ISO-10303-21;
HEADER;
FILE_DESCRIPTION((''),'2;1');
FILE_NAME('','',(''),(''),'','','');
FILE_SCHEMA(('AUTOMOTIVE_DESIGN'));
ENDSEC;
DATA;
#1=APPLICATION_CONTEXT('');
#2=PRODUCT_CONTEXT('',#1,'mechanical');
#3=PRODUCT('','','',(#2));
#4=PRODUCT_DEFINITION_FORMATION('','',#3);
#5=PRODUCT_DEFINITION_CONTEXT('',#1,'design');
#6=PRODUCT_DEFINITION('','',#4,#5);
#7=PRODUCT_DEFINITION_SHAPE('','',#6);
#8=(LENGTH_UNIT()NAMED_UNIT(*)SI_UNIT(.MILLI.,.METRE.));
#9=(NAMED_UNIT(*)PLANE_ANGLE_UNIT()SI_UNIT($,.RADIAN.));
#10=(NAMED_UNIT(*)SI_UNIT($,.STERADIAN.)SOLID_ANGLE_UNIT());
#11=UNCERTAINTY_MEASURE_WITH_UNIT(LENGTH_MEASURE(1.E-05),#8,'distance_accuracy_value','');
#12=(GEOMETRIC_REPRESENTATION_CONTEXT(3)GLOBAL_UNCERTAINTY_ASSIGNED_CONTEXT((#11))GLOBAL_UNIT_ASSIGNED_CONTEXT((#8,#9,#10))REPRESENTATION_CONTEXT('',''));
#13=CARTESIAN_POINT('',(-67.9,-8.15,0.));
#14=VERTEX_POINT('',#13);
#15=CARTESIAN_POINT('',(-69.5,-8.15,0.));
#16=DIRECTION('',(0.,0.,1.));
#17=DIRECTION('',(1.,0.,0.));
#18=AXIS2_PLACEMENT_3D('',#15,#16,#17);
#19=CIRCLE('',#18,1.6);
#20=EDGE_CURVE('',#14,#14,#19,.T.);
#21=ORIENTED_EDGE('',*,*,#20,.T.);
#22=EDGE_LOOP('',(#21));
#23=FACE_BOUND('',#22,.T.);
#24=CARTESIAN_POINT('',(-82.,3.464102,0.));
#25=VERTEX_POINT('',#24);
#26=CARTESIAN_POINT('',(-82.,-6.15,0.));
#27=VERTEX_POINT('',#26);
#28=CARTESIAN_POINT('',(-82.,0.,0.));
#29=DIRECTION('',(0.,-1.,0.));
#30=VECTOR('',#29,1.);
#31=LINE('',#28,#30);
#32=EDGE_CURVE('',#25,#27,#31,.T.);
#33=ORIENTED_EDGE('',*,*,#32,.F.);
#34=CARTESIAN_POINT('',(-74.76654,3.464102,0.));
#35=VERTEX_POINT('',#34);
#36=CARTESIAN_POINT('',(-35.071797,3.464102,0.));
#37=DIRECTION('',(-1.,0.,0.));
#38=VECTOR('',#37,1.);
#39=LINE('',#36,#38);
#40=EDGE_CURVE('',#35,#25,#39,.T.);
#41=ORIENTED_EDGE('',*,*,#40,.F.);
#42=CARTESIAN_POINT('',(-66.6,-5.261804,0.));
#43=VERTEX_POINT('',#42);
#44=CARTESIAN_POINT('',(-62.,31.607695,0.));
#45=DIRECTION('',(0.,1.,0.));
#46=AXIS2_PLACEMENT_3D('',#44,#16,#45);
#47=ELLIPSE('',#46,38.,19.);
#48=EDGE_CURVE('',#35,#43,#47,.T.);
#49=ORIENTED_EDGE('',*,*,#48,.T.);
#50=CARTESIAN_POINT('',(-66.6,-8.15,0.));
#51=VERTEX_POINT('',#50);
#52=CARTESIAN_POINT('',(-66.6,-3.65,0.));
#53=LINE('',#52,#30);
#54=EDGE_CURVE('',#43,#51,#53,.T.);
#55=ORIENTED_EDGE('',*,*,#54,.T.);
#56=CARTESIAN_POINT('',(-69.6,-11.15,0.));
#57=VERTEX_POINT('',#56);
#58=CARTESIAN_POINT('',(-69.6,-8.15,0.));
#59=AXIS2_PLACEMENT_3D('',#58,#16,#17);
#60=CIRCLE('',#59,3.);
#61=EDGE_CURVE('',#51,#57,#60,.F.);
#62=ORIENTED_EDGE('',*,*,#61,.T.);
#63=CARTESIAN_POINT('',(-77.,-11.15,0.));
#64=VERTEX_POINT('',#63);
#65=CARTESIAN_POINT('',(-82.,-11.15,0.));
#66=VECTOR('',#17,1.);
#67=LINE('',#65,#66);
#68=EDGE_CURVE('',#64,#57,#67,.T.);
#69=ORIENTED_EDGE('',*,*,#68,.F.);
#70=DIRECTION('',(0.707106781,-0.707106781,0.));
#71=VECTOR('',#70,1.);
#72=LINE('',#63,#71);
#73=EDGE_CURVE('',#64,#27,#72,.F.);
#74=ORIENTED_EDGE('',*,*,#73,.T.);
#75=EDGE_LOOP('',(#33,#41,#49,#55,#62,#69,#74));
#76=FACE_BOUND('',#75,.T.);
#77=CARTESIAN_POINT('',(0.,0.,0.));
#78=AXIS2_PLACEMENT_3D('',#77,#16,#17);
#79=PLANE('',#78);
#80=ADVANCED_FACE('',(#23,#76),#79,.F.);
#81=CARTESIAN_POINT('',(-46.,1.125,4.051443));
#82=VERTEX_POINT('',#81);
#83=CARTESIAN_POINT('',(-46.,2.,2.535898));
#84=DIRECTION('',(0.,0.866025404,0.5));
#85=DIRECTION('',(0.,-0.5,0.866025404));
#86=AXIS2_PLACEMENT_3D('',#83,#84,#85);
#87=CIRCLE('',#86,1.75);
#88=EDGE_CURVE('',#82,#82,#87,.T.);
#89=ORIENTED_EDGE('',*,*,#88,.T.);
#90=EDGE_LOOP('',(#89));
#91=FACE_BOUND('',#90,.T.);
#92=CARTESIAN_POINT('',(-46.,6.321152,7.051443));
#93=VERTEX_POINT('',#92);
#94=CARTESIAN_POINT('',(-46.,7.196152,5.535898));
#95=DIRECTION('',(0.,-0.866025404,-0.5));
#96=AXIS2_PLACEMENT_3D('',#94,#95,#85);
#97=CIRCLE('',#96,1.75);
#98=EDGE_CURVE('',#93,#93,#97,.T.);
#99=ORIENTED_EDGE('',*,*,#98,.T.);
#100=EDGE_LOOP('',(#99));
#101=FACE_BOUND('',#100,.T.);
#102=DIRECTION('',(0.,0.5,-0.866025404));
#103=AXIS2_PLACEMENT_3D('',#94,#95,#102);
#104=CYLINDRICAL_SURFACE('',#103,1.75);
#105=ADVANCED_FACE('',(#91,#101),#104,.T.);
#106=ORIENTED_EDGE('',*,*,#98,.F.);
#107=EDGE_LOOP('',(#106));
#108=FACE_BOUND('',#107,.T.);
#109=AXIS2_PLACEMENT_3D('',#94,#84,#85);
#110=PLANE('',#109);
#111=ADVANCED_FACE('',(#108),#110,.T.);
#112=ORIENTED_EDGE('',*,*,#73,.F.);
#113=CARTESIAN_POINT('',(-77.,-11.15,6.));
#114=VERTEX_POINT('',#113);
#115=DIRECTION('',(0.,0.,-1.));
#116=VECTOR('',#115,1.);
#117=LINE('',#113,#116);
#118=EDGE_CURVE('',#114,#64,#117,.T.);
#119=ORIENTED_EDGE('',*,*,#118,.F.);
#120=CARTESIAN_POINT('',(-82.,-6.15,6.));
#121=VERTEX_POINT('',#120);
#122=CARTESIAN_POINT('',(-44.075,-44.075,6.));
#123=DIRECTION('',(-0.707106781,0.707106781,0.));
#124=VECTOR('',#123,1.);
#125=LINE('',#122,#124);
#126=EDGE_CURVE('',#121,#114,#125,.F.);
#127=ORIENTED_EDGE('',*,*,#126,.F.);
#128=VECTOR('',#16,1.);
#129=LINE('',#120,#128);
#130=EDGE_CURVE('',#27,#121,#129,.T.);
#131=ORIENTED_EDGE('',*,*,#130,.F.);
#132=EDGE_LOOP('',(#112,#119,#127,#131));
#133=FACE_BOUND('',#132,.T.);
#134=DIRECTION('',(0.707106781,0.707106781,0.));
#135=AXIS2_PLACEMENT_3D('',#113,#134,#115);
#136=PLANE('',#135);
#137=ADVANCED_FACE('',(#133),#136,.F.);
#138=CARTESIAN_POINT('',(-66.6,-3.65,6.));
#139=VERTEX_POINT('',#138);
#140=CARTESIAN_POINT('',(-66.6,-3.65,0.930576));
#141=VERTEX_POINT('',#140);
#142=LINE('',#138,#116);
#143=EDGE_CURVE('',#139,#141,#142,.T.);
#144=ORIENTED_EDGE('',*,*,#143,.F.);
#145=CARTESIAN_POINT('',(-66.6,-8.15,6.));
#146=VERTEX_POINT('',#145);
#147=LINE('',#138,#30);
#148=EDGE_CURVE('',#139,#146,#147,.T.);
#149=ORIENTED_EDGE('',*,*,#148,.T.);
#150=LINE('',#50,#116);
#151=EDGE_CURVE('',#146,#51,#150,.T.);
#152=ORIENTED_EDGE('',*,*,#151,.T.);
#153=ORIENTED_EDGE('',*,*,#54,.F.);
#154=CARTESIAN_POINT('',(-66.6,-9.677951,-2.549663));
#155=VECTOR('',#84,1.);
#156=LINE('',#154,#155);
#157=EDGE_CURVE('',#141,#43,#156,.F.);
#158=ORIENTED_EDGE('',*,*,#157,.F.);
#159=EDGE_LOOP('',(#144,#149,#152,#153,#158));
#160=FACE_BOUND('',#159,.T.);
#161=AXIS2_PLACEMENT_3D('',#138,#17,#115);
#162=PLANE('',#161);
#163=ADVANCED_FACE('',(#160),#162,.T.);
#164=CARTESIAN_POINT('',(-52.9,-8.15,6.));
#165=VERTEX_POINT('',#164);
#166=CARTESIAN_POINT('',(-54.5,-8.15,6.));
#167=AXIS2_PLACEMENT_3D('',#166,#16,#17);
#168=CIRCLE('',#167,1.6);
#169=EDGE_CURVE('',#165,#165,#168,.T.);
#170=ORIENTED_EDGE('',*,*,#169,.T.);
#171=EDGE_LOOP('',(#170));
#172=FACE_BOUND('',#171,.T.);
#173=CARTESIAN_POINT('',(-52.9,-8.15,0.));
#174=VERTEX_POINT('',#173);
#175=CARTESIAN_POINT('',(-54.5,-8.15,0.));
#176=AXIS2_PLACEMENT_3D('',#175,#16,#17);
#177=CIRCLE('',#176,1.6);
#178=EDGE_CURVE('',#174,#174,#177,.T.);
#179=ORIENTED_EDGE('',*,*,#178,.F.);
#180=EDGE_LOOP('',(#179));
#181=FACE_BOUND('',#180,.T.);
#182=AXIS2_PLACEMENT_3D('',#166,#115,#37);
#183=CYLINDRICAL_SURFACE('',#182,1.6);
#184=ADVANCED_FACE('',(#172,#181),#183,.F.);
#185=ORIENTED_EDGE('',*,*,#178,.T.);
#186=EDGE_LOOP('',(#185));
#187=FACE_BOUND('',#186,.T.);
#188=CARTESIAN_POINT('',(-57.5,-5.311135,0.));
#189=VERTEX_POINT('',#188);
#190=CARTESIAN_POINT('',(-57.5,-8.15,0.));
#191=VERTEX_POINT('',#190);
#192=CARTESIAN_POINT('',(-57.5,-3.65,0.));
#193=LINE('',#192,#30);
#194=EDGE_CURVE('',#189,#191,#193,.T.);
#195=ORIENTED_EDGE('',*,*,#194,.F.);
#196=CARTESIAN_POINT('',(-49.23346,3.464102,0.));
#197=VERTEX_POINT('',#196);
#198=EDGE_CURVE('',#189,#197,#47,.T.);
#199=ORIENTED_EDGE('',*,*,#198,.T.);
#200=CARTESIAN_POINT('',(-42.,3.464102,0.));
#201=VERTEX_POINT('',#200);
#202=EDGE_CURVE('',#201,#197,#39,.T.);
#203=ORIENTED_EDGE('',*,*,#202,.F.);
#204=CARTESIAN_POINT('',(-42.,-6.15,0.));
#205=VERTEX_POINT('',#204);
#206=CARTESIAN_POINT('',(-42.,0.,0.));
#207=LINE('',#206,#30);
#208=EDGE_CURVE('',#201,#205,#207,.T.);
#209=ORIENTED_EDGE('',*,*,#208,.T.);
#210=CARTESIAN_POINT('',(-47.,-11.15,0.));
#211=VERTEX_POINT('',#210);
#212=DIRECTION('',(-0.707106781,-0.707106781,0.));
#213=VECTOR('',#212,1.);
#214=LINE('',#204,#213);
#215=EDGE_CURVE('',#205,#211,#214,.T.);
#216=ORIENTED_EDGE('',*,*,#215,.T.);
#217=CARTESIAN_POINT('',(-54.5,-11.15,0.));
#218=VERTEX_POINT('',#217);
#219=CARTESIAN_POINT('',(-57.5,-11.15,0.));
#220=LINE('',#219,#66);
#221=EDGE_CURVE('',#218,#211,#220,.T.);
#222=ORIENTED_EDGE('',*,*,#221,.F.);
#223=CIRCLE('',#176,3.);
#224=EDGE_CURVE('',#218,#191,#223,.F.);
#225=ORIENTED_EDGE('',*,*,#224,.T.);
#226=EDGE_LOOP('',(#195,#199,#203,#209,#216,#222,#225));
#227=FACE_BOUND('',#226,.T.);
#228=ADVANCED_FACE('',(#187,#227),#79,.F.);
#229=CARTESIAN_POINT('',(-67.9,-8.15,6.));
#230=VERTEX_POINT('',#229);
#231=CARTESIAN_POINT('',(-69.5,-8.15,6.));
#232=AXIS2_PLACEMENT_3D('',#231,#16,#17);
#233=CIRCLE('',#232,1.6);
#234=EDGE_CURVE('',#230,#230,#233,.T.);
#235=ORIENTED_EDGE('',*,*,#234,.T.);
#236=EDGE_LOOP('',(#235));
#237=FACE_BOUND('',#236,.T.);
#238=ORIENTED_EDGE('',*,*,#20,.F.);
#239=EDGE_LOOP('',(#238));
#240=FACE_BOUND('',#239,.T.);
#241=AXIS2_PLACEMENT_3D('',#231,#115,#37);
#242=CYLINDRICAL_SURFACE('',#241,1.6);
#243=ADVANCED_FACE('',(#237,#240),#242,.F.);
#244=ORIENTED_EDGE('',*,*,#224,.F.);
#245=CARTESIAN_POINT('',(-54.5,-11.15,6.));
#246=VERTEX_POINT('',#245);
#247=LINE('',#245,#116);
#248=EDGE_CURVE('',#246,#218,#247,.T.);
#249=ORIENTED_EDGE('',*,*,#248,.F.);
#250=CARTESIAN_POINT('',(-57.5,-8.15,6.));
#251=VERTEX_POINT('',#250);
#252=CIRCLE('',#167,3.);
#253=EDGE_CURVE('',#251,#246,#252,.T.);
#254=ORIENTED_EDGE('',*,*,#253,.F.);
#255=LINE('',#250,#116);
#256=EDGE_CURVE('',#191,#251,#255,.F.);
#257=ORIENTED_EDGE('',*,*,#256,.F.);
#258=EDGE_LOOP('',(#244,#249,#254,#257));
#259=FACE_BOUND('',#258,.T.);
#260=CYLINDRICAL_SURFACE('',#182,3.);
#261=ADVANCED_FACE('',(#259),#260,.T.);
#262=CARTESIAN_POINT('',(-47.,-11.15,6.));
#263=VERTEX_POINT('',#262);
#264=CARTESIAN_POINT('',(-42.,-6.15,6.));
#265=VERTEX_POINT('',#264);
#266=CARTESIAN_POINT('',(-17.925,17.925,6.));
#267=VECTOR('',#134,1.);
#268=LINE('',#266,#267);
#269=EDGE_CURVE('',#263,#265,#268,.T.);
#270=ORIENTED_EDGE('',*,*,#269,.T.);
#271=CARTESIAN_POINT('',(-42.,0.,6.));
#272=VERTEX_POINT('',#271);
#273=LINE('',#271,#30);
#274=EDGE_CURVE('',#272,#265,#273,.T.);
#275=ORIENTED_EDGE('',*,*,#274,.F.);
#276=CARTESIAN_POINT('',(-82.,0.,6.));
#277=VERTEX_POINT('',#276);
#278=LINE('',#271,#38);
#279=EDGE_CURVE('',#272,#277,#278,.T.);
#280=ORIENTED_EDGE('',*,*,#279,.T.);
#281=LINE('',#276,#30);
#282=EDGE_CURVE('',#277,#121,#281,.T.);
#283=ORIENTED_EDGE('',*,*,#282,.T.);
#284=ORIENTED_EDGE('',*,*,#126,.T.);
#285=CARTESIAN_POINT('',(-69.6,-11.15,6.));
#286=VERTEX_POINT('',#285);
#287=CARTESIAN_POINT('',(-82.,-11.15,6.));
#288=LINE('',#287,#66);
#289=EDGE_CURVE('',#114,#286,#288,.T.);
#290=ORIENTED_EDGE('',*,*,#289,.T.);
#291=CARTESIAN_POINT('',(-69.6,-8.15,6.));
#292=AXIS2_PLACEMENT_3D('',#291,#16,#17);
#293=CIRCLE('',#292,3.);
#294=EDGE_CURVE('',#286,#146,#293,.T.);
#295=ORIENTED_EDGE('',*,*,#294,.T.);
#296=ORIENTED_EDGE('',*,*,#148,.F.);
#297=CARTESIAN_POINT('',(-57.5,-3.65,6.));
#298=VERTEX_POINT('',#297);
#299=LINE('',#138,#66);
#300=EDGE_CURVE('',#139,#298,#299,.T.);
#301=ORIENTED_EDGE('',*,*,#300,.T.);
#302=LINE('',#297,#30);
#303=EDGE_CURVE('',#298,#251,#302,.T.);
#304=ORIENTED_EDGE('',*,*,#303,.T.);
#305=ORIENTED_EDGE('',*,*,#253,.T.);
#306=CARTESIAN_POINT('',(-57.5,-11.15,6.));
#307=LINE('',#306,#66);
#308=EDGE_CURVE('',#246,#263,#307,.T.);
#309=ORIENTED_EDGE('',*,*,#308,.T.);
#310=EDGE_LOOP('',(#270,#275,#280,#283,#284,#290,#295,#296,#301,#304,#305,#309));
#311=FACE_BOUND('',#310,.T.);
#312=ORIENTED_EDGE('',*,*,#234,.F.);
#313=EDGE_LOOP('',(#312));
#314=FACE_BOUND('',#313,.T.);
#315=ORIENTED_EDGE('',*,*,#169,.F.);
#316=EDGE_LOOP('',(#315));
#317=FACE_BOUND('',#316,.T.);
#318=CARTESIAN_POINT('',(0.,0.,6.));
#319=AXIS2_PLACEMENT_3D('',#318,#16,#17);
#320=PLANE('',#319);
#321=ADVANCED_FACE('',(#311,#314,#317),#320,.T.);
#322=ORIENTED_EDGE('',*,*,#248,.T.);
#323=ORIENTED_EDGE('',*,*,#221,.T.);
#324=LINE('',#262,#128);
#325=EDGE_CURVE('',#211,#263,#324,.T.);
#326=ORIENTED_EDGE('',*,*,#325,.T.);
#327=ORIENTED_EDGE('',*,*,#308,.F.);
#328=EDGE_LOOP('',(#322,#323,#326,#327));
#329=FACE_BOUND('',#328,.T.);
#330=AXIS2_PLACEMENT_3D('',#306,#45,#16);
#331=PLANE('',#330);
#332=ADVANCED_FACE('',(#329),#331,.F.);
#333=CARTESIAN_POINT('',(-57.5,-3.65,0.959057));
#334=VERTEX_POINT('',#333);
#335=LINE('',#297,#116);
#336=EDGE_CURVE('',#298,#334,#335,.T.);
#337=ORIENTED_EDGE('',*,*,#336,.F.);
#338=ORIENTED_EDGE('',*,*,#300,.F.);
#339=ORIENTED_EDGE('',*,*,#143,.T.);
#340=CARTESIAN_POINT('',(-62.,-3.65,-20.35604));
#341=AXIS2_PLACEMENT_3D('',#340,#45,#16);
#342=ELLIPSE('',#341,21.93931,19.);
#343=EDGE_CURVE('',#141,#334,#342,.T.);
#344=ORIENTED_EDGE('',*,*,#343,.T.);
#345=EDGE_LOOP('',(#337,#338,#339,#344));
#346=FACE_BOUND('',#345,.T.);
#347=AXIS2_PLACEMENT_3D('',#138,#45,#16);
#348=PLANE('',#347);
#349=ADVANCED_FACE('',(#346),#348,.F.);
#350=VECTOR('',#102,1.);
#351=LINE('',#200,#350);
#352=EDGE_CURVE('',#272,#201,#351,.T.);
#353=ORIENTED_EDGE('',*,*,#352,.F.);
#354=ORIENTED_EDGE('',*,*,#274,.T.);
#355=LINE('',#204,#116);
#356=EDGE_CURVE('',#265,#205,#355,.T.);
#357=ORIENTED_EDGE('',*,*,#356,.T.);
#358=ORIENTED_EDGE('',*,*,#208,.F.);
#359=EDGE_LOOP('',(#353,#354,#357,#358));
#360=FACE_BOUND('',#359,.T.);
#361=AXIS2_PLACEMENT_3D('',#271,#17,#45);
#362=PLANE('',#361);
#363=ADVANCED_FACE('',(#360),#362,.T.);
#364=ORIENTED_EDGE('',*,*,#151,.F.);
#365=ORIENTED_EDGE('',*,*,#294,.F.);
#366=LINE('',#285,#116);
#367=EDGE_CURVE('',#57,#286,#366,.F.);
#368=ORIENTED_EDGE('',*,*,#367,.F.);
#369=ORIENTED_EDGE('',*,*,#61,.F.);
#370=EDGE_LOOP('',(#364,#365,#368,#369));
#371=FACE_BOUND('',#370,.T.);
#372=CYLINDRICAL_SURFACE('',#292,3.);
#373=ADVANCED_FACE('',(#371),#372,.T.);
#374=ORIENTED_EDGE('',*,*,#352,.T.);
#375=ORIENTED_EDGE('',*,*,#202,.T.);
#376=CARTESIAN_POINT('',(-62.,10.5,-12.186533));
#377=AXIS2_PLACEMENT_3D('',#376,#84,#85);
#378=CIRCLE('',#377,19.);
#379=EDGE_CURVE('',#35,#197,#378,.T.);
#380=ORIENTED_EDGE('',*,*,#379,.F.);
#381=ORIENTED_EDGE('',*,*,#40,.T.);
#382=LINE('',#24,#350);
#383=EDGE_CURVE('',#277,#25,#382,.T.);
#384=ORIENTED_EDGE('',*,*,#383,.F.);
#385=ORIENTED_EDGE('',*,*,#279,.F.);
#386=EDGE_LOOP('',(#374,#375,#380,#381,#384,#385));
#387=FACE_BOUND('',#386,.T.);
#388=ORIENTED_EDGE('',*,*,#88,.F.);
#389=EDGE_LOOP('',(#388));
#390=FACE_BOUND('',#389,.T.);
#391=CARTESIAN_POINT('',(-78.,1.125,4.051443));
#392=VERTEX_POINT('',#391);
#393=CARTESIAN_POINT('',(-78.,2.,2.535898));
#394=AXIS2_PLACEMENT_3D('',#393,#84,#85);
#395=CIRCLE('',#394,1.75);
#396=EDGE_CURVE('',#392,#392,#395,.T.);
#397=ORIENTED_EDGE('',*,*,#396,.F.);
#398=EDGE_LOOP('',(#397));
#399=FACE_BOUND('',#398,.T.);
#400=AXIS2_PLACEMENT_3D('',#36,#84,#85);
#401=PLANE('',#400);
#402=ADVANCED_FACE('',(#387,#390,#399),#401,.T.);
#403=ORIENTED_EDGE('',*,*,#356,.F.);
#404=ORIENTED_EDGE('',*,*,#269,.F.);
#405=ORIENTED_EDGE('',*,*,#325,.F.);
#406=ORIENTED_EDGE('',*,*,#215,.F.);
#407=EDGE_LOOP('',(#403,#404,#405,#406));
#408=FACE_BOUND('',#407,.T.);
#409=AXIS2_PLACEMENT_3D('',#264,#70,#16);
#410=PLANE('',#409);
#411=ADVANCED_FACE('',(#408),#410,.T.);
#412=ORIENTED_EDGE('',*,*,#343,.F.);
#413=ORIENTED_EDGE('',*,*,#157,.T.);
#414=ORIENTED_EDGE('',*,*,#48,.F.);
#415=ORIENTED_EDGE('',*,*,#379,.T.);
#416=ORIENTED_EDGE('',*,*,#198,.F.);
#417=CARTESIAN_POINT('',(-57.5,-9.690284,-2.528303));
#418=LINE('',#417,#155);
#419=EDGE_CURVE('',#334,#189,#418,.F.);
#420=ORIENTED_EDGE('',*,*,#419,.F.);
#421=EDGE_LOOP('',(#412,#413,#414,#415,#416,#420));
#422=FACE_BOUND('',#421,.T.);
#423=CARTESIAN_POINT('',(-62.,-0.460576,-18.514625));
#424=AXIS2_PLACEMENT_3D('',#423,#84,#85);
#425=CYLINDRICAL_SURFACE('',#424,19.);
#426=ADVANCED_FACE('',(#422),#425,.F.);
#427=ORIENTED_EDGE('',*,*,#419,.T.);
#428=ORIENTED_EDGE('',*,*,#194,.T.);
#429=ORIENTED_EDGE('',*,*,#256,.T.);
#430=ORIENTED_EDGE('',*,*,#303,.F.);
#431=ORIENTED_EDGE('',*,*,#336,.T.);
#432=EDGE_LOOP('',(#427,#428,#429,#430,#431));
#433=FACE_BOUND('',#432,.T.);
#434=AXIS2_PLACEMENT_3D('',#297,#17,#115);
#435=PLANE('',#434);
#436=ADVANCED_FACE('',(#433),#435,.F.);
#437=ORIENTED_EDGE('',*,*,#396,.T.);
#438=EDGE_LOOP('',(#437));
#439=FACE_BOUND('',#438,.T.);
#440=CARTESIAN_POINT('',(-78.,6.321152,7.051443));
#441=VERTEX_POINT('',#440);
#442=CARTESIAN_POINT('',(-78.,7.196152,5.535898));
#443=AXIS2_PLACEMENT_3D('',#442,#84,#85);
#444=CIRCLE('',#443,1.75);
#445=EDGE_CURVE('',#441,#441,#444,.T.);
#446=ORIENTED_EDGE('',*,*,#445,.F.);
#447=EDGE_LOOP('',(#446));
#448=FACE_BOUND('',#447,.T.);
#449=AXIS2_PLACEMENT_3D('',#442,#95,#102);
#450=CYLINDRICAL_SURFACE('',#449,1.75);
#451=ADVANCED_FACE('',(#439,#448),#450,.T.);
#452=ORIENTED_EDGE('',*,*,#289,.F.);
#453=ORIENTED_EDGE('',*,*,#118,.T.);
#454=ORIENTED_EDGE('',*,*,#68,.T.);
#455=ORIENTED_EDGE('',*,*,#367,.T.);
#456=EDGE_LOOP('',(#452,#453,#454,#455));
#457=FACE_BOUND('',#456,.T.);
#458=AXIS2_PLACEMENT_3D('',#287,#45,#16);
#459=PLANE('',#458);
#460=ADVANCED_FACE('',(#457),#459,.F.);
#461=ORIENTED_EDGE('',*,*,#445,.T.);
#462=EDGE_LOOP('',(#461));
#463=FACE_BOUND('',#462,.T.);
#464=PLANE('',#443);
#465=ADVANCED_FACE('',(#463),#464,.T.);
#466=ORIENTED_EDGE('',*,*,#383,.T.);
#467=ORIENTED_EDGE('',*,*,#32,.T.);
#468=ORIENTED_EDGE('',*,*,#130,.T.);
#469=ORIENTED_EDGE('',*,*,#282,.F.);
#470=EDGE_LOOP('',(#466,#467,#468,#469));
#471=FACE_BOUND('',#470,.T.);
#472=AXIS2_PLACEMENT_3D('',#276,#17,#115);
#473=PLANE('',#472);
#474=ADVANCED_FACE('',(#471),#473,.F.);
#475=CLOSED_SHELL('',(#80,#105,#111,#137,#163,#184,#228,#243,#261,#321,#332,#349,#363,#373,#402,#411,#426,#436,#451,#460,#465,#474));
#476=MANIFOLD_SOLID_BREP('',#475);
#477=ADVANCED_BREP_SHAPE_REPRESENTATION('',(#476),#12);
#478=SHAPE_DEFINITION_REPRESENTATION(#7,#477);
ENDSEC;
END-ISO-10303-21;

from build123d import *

# Parameters (mm, degrees)
SKETCH3_R           = 1.6
BOSS_EXTRUDE1_DEPTH = 6
BOSS_EXTRUDE3_DEPTH = 40
SKETCH7_R           = 1.75
BOSS_EXTRUDE5_DEPTH = 6
CHAMFER1_SIZE       = 5
FILLET1_R           = 3
SKETCH9_R           = 19
CUT_EXTRUDE1_DEPTH  = 13.656183252


with BuildPart() as part:
    # Sketch3 → Boss-Extrude1 (new body)
    with BuildSketch(Plane.XY):
        Polygon((-42, 0), (-42, -11.15), (-57.5, -11.15), (-57.5, -3.65), (-66.6, -3.65), (-66.6, -11.15), (-82, -11.15), (-82, 0), align=None)
        with Locations((-69.5, -8.15)):
            Circle(SKETCH3_R, mode=Mode.SUBTRACT)
        with Locations((-54.5, -8.15)):
            Circle(SKETCH3_R, mode=Mode.SUBTRACT)
    extrude(amount=BOSS_EXTRUDE1_DEPTH)

    # Sketch5 → Boss-Extrude3 (add)
    with BuildSketch(Plane.ZY.offset(82)):
        Polygon((0, 0), (0, 3.464101615), (6, 0), align=None)
    extrude(amount=-BOSS_EXTRUDE3_DEPTH)

    # Sketch7 → Boss-Extrude5 (add)
    with BuildSketch(Plane(origin=(0, 4.189066469, -1.255675961), x_dir=(-1, 0, 0), z_dir=(0, 0.866025404, 0.5))):
        with Locations((78, 4.378132938)):
            Circle(SKETCH7_R)
    boss_extrude5 = extrude(amount=BOSS_EXTRUDE5_DEPTH)

    # Mirror2: Boss-Extrude5 across plane
    add(boss_extrude5.mirror(Plane(origin=(-62, 0, 0), x_dir=(0, 0, 1), z_dir=(1, 0, 0))))

    # Chamfer1
    chamfer1_edges = [part.edges().sort_by_distance(p)[0] for p in [
        (-42, -11.15, 3),
        (-82, -11.15, 3),
    ]]
    chamfer(chamfer1_edges, length=CHAMFER1_SIZE)

    # Fillet1
    fillet1_edges = [part.edges().sort_by_distance(p)[0] for p in [
        (-57.5, -11.15, 3),
        (-66.6, -11.15, 3),
    ]]
    fillet(fillet1_edges, radius=FILLET1_R)

    # Sketch9 → Cut-Extrude1 (cut, through all)
    with BuildSketch(Plane(origin=(0, 2.598076211, 1.5), x_dir=(1, 0, 0), z_dir=(0, 0.866025404, 0.5))):
        with Locations((-62, 15.803847577)):
            Circle(SKETCH9_R)
    extrude(amount=-CUT_EXTRUDE1_DEPTH, mode=Mode.SUBTRACT)


solid = part.part
